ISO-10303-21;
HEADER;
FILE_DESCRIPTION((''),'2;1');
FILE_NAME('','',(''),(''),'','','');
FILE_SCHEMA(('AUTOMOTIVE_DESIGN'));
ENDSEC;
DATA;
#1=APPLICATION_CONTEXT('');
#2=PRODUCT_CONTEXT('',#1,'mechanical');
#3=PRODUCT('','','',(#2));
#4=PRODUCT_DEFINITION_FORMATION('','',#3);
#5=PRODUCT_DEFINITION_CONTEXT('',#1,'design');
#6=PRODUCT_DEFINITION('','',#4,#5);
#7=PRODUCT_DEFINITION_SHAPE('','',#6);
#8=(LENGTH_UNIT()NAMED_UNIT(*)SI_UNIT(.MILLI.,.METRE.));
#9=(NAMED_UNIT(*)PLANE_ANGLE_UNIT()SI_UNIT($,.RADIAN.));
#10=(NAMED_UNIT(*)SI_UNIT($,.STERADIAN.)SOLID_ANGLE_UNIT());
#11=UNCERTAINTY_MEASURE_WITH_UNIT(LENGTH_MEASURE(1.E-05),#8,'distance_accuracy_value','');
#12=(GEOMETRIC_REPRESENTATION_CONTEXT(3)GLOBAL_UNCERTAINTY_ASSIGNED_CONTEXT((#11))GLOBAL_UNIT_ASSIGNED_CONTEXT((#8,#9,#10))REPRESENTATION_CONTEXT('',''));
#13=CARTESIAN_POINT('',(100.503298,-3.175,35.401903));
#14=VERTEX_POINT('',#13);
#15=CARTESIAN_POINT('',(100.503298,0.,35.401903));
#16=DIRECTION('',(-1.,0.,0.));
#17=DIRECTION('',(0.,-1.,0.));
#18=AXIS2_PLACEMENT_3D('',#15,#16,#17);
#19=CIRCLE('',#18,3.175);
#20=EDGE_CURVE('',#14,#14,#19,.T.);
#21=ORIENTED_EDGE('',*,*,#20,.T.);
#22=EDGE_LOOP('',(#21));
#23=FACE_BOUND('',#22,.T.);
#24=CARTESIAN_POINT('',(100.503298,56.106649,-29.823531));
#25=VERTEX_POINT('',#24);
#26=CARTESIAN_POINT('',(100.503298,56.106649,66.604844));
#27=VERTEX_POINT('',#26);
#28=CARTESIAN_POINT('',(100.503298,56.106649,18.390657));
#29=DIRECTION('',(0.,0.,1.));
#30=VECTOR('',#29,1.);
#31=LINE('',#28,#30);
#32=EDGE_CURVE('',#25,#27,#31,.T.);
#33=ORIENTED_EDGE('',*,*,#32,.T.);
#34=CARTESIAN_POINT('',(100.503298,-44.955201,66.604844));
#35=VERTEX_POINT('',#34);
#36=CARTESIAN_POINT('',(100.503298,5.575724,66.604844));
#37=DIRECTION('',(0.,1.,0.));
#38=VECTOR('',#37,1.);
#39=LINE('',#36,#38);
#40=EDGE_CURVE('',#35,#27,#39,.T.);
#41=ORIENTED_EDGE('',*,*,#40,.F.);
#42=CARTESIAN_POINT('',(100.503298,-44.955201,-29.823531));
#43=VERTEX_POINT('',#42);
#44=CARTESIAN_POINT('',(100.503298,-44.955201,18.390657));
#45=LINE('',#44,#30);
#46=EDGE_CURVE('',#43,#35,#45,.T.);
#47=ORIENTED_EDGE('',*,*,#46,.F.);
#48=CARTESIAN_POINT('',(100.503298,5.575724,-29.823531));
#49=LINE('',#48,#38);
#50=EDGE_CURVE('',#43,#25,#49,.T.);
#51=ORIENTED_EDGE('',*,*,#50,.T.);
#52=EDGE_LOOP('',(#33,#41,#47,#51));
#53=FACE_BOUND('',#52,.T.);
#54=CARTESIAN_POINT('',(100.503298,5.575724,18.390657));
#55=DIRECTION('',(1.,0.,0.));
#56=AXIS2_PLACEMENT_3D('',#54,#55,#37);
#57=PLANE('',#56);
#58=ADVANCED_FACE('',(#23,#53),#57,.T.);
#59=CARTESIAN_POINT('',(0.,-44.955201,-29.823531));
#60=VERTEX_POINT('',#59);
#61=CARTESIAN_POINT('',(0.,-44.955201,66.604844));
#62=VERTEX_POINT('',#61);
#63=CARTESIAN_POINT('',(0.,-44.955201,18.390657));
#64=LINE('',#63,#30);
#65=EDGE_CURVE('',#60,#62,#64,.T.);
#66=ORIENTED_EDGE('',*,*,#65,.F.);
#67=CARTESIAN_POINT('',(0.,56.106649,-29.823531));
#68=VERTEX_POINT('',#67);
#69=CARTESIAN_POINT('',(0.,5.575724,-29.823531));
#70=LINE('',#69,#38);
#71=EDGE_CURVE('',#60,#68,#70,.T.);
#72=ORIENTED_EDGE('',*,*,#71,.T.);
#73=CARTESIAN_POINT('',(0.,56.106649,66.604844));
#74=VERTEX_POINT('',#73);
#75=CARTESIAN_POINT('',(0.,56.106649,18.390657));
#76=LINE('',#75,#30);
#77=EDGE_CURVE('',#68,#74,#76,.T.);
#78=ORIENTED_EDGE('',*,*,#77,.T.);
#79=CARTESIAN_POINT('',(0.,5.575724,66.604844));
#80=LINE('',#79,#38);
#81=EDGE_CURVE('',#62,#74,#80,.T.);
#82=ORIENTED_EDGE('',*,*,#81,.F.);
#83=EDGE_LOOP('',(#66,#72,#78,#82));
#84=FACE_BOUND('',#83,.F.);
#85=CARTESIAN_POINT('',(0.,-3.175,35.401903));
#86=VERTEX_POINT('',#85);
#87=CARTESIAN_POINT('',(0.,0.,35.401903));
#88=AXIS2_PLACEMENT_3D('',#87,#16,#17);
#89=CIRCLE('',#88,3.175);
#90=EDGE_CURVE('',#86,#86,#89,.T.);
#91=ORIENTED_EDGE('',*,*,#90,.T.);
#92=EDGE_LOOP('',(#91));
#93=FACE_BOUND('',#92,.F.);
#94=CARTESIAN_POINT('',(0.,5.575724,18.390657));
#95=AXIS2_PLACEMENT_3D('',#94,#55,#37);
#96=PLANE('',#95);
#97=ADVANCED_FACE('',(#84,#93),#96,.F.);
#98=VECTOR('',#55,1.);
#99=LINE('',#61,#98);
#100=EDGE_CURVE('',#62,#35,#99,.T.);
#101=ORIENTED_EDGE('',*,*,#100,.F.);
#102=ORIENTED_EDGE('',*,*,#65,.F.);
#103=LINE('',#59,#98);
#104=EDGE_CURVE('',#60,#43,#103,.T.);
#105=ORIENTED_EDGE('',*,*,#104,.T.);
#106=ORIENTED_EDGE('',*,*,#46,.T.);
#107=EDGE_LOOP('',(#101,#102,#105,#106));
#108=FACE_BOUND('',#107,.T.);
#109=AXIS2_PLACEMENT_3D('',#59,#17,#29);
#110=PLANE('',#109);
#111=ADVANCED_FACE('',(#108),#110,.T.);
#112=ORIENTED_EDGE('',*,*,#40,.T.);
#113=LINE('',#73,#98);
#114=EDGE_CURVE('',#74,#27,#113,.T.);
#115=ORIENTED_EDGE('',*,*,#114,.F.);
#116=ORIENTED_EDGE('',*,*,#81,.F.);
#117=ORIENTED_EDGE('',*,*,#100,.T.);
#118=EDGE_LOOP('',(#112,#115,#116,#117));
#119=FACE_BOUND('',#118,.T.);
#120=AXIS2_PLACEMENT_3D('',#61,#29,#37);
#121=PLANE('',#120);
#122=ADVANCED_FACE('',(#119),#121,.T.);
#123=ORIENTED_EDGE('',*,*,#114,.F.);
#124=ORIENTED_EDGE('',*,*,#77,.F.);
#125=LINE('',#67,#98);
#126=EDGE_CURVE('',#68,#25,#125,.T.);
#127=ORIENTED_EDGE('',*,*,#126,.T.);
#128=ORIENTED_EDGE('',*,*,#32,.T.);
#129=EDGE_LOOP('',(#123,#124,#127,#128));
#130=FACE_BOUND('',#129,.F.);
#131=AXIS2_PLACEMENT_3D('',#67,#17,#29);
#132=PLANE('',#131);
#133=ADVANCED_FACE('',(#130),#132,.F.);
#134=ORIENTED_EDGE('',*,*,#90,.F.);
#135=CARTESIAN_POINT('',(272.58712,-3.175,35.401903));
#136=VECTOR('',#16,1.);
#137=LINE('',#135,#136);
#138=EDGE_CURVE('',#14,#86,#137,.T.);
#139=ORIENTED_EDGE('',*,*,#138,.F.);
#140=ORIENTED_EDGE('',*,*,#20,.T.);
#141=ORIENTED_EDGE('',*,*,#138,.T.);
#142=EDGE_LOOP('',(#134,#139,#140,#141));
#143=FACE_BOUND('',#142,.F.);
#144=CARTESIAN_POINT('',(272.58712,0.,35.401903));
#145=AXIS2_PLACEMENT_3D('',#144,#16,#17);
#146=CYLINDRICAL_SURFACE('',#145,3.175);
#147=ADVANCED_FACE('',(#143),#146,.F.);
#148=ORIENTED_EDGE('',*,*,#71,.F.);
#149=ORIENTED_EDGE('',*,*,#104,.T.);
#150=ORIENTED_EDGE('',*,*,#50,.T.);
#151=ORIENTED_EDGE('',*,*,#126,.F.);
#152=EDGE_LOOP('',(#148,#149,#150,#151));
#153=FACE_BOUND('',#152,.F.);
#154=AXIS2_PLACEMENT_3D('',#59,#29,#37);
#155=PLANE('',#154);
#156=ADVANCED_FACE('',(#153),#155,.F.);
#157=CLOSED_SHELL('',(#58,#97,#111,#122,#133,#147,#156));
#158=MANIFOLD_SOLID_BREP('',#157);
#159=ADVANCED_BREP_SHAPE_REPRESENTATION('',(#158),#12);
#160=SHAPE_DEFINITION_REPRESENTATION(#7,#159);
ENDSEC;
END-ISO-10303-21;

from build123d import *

# Parameters (mm, degrees)
F0_W     = 101.06185
F0_H     = 96.428375
F1_DEPTH = 100.503298
F4_D     = 6.35


with BuildPart() as f1:
    # F0 (on Right) → F1 (new body)
    with BuildSketch(Plane.YZ):
        with Locations((5.575724, 18.390657)):
            Rectangle(F0_W, F0_H)
    extrude(amount=F1_DEPTH)

    # F4 (through all)
    with Locations(Plane.YZ.offset(100.503298)):
        with Locations((0, 35.401903)):
            Hole(F4_D / 2)


solid = f1.part
